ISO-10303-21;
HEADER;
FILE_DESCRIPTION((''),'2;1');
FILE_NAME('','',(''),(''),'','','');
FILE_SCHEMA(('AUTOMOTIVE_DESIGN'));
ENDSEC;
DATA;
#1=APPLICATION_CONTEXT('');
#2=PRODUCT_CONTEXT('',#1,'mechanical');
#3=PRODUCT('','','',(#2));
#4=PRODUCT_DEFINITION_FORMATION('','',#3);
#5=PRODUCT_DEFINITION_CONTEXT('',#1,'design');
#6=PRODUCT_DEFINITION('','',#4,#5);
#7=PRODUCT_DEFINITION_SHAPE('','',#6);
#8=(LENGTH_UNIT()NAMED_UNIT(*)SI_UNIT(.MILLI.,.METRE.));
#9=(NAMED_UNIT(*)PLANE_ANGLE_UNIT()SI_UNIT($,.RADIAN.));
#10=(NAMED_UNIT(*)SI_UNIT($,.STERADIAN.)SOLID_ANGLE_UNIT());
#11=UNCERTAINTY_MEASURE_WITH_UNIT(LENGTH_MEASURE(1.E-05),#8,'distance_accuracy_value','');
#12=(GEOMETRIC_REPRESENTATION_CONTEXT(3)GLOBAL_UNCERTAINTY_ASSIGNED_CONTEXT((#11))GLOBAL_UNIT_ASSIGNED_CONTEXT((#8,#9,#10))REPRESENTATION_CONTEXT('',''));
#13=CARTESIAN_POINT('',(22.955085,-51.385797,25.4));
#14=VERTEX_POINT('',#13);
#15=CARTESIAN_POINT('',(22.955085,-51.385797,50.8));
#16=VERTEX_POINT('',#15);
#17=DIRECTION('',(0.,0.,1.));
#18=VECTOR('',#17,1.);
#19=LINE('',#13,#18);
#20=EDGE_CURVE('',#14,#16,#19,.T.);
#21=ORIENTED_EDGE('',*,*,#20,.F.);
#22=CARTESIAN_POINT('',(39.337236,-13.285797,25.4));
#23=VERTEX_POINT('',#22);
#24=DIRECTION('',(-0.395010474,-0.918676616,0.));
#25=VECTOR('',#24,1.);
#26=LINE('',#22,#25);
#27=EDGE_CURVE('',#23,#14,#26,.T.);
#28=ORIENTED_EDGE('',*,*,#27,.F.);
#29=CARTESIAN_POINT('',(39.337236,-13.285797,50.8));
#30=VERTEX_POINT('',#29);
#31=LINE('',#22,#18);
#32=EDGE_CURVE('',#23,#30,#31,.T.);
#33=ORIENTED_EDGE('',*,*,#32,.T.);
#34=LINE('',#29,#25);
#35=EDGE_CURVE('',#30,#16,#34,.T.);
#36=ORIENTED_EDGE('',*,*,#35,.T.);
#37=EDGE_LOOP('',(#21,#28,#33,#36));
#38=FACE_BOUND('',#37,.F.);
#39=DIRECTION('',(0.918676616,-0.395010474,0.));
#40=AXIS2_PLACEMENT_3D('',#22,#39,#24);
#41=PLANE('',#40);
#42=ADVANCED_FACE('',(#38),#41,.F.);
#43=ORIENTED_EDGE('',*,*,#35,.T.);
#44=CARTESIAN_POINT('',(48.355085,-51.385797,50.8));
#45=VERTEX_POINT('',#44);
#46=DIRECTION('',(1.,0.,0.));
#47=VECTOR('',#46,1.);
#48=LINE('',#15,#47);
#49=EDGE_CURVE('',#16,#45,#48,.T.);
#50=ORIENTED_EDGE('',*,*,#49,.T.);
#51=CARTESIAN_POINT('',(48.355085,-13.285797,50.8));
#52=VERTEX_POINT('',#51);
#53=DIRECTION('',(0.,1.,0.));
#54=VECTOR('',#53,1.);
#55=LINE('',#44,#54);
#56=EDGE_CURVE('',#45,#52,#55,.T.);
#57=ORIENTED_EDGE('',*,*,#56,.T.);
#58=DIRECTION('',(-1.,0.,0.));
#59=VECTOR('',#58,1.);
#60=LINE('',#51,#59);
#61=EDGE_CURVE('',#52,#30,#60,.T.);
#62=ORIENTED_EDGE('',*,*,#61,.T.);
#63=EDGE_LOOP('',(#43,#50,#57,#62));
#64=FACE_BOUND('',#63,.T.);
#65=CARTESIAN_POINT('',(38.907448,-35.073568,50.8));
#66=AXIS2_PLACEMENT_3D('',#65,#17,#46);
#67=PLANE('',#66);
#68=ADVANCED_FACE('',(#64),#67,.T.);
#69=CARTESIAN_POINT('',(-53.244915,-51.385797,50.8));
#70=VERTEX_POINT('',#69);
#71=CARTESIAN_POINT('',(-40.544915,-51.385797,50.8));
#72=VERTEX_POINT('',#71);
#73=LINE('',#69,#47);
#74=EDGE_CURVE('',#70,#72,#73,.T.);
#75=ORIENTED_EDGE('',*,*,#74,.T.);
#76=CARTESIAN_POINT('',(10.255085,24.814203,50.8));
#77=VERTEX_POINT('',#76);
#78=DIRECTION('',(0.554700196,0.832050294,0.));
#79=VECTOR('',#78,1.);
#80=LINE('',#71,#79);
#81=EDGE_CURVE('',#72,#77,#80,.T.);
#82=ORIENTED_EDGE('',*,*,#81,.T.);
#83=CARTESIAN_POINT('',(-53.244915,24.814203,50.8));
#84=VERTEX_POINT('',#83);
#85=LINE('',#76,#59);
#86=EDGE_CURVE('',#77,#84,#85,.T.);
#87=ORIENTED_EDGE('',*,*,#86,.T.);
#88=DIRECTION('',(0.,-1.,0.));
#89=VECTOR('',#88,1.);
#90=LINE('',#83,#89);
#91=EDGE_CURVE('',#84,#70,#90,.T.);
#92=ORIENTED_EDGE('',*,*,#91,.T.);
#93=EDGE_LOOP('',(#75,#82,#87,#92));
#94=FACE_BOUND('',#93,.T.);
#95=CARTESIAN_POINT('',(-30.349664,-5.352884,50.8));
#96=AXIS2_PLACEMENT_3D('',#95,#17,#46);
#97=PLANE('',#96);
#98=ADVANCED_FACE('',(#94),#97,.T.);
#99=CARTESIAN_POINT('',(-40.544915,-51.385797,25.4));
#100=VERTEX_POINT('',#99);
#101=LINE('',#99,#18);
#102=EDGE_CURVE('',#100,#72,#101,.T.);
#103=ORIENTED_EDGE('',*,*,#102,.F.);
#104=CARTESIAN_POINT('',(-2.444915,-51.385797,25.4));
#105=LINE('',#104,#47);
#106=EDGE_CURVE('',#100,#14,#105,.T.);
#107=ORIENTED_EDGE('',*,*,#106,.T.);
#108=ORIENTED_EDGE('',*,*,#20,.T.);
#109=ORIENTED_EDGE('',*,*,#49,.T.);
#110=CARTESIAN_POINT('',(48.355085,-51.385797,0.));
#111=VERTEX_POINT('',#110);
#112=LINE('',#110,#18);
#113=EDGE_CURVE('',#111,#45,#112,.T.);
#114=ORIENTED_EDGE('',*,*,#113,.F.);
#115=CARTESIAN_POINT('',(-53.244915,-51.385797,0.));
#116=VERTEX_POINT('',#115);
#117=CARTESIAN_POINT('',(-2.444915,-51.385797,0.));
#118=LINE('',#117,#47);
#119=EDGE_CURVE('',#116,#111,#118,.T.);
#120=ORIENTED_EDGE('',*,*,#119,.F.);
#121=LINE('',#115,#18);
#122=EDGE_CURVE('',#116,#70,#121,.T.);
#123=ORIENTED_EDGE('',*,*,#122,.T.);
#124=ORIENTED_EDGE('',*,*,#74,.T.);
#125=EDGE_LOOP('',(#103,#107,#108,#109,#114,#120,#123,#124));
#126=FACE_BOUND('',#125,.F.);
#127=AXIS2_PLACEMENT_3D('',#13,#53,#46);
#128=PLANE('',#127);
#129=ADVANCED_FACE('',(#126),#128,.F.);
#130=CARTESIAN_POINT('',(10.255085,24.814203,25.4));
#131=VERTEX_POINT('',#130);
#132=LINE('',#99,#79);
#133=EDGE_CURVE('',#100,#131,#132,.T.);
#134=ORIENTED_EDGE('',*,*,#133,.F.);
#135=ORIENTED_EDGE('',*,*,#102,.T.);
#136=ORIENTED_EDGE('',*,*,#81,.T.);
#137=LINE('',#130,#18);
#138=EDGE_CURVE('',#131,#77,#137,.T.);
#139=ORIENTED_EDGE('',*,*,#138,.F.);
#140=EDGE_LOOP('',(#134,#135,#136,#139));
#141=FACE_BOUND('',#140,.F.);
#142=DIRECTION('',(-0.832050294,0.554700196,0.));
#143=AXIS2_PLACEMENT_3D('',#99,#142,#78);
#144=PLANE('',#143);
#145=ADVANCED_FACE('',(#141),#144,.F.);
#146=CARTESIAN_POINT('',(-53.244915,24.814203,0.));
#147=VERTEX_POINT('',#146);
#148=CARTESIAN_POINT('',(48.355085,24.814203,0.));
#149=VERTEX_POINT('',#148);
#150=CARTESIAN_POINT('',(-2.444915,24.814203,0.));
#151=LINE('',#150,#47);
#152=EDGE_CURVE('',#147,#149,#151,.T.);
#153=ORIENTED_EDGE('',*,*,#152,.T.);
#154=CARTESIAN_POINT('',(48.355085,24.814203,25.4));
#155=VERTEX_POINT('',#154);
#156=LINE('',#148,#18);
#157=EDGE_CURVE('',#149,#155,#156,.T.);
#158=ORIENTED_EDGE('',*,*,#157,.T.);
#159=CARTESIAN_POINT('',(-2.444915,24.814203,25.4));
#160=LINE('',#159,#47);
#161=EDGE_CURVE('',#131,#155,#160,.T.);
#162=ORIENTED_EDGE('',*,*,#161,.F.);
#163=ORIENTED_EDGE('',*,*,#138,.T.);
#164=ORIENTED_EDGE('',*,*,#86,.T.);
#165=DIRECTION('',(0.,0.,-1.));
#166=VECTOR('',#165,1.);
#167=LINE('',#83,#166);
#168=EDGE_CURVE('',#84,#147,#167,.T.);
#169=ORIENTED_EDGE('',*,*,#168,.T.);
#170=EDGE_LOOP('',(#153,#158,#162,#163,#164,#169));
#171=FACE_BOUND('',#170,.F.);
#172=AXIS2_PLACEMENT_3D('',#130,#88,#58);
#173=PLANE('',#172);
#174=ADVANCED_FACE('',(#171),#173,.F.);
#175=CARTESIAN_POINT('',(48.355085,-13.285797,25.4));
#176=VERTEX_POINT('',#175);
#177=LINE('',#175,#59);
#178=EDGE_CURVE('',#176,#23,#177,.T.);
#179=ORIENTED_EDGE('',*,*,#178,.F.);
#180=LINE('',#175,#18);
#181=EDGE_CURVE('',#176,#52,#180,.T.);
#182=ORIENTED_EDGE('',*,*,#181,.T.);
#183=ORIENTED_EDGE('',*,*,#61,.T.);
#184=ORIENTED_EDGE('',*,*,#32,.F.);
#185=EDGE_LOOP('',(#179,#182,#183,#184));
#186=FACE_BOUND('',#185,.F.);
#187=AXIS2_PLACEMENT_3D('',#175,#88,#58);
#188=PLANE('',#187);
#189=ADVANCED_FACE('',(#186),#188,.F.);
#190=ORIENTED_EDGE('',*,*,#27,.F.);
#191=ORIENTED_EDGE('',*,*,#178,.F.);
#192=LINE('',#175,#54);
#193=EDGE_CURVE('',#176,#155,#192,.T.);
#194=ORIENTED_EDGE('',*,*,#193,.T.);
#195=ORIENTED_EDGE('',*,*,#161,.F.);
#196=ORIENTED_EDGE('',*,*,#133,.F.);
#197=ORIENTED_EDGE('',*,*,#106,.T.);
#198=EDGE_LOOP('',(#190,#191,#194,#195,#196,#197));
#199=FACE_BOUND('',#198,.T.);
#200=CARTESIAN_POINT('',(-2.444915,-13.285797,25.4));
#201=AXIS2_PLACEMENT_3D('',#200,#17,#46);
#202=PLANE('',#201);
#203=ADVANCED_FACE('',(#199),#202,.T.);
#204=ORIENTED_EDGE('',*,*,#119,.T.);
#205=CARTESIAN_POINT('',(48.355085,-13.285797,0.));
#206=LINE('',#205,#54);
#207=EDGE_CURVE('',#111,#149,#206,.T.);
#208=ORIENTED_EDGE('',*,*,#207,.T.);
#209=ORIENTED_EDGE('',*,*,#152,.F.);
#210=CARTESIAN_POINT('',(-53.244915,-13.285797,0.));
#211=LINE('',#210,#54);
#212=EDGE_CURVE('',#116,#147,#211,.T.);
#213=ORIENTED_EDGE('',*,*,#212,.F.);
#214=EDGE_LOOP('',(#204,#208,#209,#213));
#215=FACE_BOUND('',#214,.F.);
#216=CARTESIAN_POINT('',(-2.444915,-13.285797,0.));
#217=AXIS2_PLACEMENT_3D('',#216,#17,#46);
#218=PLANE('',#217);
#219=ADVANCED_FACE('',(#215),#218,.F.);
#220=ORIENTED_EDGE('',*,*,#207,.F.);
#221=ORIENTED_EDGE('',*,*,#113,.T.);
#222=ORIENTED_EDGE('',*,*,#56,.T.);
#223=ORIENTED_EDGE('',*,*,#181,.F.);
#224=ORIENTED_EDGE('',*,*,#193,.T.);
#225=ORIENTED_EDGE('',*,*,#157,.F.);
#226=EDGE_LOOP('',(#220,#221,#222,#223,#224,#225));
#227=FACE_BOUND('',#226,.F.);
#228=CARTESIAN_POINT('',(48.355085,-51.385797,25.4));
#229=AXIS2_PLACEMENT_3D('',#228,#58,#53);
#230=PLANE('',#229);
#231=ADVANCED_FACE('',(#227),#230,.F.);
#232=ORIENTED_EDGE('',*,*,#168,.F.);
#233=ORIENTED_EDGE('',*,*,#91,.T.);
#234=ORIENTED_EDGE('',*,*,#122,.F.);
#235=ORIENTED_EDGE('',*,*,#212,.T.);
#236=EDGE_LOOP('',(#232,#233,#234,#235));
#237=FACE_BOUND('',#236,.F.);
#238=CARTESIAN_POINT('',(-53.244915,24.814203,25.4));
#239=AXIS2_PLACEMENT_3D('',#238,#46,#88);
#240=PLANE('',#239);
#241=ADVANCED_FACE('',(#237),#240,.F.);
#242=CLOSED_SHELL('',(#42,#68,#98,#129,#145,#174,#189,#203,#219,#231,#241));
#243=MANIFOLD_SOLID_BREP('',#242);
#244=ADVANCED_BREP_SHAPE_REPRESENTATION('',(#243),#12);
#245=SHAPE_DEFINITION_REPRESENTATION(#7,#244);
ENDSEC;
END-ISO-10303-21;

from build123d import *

# Parameters (mm, degrees)
F0_W     = 101.6
F0_H     = 76.2
F1_DEPTH = 25.4
F3_DEPTH = 25.4
F5_DEPTH = 25.4


with BuildPart() as f1:
    # F0 (on Top) → F1 (new body)
    with BuildSketch(Plane.XY):
        with Locations((-2.444915, -13.285797)):
            Rectangle(F0_W, F0_H)
    extrude(amount=F1_DEPTH)

    # F2 (on face) → F3 (join)
    with BuildSketch(Plane.XY.offset(25.4)):
        Polygon((-53.244915, 24.814203), (-53.244915, -51.385797), (-40.544915, -51.385797), (10.255085, 24.814203), align=None)
    extrude(amount=F3_DEPTH)

    # F4 (on face) → F5 (join)
    with BuildSketch(Plane.XY.offset(25.4)):
        Polygon((22.955085, -51.385797), (48.355085, -51.385797), (48.355085, -13.285797), (39.337236, -13.285797), align=None)
    extrude(amount=F5_DEPTH)


solid = f1.part
